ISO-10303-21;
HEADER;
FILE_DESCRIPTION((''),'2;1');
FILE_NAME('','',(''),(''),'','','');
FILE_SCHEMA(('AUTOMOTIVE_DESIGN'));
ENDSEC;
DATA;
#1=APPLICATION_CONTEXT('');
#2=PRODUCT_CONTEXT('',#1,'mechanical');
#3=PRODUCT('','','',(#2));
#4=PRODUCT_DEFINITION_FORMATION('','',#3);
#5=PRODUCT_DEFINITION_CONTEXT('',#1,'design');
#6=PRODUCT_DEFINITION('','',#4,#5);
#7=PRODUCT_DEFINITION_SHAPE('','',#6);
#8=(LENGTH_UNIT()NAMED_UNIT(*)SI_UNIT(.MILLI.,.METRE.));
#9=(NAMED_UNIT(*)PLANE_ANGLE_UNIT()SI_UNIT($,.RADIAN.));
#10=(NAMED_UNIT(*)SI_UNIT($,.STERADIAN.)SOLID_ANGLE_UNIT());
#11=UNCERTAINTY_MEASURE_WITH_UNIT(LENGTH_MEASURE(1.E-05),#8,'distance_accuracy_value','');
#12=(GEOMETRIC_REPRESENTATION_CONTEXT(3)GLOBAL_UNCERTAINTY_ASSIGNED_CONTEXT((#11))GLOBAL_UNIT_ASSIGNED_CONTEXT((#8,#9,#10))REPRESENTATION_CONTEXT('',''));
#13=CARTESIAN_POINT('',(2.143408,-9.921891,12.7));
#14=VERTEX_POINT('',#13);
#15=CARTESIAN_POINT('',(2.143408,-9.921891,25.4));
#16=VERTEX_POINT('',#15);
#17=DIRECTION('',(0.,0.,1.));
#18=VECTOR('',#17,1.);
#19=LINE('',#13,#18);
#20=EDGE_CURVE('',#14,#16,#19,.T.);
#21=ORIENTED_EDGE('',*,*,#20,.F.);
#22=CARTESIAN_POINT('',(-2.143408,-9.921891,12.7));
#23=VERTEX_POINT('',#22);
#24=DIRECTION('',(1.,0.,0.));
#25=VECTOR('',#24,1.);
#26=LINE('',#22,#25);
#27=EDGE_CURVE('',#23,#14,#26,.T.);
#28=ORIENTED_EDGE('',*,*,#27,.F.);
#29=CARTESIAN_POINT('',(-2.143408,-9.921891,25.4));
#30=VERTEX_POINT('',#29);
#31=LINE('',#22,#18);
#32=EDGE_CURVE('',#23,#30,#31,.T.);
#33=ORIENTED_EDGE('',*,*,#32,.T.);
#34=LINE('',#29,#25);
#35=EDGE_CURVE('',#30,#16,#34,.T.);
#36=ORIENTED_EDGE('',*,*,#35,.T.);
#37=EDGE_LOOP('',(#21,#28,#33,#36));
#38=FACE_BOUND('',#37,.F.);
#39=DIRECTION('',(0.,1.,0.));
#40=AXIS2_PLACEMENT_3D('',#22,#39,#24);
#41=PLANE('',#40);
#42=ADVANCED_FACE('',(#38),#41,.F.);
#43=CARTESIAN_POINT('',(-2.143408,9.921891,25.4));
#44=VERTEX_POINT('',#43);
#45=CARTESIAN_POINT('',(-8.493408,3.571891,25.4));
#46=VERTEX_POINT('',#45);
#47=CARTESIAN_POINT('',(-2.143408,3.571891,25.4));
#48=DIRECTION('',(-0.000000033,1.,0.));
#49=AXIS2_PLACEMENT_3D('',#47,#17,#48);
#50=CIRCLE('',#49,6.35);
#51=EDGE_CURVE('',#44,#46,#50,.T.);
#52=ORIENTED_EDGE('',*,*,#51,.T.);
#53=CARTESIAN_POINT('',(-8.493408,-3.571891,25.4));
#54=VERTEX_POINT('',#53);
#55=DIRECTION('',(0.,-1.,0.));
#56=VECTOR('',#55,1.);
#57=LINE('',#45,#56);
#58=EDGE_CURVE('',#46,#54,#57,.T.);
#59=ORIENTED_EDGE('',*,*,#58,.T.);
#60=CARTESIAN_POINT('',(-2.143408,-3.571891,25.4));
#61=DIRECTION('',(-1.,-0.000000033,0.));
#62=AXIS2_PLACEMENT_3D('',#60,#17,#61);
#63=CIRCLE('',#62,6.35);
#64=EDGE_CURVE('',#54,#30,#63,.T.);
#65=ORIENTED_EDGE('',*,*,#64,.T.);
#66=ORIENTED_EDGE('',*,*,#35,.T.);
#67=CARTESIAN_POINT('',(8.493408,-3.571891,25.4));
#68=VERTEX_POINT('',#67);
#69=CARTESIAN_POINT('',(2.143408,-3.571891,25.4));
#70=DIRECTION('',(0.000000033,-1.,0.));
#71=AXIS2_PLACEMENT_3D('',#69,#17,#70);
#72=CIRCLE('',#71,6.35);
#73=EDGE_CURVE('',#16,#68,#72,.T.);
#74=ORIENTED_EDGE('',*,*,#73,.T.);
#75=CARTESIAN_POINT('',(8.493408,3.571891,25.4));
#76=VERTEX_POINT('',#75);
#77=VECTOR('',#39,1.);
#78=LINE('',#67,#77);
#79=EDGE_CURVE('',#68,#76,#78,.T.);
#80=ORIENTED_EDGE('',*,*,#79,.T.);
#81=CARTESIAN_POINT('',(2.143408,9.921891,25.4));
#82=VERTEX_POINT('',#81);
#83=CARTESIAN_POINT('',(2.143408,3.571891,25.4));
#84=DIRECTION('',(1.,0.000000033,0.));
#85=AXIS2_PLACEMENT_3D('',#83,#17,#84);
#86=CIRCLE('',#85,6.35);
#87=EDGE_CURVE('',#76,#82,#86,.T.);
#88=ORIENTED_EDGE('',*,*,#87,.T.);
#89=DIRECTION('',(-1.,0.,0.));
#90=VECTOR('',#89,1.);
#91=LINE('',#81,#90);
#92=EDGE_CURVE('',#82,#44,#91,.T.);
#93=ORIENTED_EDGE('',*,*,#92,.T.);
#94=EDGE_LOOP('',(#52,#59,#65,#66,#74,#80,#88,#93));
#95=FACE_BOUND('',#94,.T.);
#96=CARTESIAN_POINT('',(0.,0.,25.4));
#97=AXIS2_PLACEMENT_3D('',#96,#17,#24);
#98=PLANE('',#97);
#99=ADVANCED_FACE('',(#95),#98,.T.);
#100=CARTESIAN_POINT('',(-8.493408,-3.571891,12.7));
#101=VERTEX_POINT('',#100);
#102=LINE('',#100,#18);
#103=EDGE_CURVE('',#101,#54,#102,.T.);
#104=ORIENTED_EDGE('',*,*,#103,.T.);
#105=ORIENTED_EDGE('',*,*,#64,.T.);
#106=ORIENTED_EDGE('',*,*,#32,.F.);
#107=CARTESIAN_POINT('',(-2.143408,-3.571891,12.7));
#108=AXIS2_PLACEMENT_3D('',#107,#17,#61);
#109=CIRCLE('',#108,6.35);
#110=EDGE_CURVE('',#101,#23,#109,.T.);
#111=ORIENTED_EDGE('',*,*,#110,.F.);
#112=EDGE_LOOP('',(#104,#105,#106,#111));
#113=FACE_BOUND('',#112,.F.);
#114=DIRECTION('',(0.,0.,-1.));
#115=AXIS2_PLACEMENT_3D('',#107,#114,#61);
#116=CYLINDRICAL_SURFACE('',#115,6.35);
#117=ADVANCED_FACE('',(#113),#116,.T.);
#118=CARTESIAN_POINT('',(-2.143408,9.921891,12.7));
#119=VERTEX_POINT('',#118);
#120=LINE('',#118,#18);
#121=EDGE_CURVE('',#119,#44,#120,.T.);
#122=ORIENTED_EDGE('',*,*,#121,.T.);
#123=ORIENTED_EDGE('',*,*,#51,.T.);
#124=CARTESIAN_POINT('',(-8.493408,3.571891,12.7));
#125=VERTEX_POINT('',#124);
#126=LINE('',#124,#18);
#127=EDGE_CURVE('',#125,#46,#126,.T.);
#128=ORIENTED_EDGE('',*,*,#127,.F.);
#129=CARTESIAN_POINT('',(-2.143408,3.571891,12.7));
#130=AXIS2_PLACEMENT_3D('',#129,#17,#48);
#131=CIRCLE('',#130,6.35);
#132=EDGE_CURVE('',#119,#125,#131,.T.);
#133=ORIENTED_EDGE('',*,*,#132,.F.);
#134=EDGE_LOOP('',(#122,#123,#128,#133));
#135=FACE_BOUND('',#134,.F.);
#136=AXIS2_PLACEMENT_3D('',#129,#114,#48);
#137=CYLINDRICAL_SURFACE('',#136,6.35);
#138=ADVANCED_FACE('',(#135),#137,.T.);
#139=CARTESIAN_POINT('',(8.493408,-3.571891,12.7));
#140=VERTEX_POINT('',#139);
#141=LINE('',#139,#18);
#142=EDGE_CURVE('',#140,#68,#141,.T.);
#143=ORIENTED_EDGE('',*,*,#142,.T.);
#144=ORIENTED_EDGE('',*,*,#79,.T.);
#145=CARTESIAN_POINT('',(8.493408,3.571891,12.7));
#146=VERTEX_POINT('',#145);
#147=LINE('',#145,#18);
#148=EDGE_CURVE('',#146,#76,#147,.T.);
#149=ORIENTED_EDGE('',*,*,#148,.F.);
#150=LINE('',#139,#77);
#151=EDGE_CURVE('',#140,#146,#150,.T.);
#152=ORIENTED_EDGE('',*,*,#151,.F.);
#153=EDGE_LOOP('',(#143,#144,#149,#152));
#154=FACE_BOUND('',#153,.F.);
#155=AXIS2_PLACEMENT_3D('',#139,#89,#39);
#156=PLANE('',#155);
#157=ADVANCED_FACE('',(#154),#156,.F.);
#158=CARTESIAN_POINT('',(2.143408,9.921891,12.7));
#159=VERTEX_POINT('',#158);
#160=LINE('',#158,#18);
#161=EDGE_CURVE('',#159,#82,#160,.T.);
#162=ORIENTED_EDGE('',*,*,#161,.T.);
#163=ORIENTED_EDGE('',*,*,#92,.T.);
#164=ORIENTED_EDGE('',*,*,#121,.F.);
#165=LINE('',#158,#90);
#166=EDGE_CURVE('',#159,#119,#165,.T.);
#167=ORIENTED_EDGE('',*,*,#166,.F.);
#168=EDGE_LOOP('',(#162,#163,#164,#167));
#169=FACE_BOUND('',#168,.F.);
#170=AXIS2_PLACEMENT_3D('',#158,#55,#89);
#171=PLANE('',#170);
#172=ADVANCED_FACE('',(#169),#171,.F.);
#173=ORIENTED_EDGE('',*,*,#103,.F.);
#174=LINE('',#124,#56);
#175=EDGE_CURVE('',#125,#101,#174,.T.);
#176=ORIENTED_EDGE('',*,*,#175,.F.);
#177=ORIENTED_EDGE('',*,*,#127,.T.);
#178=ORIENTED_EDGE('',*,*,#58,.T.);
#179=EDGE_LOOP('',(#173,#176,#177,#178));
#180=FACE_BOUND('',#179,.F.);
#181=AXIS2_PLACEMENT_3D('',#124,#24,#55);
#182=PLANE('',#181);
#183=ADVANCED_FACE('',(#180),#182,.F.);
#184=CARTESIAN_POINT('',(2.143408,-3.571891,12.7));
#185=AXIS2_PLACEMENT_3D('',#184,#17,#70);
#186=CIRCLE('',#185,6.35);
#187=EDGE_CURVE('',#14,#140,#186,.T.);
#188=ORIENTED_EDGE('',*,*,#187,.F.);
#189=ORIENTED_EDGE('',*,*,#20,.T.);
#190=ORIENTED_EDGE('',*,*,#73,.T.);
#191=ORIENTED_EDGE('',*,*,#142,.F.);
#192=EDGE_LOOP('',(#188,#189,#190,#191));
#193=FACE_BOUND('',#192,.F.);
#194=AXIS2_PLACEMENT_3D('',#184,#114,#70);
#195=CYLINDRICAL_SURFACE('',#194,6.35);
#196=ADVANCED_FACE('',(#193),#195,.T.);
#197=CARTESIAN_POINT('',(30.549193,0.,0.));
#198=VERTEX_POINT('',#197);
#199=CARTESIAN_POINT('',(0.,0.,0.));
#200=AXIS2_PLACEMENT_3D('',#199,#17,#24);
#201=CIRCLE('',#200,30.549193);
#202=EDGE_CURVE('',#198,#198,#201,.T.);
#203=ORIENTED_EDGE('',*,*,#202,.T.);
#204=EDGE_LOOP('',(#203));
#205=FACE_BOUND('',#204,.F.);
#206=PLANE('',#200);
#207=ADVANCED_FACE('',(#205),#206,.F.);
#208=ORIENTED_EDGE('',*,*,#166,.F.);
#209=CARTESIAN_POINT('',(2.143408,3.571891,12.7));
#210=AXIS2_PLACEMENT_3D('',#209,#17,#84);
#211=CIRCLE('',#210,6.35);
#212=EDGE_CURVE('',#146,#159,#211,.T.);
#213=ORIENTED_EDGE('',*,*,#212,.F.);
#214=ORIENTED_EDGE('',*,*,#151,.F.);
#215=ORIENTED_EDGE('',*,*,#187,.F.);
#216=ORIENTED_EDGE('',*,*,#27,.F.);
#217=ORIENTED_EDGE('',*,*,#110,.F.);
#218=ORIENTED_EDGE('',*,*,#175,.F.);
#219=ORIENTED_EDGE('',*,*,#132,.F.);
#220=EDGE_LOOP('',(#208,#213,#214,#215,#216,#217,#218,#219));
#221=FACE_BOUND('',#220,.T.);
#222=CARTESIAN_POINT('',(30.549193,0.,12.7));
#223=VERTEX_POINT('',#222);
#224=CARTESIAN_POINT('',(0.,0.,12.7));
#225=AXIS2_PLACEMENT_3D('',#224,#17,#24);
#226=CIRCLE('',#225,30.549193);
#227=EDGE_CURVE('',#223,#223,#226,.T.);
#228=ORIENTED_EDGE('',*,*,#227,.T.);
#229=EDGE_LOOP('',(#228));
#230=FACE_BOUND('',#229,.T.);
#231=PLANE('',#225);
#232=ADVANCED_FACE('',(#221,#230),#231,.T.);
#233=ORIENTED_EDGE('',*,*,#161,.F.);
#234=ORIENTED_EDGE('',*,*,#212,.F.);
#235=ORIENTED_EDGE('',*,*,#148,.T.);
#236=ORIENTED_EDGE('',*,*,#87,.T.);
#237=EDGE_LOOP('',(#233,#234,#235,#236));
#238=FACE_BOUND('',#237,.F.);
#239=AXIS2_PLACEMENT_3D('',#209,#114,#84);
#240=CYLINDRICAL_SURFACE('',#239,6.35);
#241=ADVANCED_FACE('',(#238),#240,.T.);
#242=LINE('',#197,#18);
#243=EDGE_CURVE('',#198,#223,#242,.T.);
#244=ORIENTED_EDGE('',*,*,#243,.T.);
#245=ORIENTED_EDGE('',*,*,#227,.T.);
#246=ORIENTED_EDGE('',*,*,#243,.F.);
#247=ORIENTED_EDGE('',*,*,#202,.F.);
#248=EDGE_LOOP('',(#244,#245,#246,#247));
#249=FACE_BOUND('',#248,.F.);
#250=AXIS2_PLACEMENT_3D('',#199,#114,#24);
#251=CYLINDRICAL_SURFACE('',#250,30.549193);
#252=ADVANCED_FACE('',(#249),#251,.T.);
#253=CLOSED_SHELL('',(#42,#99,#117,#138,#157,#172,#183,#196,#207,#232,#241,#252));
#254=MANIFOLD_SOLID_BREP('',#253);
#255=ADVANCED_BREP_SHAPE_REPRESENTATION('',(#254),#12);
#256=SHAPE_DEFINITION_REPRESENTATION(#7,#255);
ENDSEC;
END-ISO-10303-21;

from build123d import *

# Parameters (mm, degrees)
F0_R     = 30.549193
F1_DEPTH = 12.7
F3_DEPTH = 12.7


with BuildPart() as f1:
    # F0 (on Top) → F1 (new body)
    with BuildSketch(Plane.XY):
        Circle(F0_R)
    extrude(amount=F1_DEPTH)

    # F2 (on face) → F3 (join)
    with BuildSketch(Plane.XY.offset(12.7)):
        with BuildLine():
            ThreePointArc((8.493408, 3.571891), (6.633536, 8.062019), (2.143408, 9.921891))
            Line((2.143408, 9.921891), (-2.143408, 9.921891))
            ThreePointArc((-2.143408, 9.921891), (-6.633536, 8.062019), (-8.493408, 3.571891))
            Line((-8.493408, 3.571891), (-8.493408, -3.571891))
            ThreePointArc((-8.493408, -3.571891), (-6.633536, -8.062019), (-2.143408, -9.921891))
            Line((-2.143408, -9.921891), (2.143408, -9.921891))
            ThreePointArc((2.143408, -9.921891), (6.633536, -8.062019), (8.493408, -3.571891))
            Line((8.493408, -3.571891), (8.493408, 3.571891))
        make_face()
    extrude(amount=F3_DEPTH)


solid = f1.part
